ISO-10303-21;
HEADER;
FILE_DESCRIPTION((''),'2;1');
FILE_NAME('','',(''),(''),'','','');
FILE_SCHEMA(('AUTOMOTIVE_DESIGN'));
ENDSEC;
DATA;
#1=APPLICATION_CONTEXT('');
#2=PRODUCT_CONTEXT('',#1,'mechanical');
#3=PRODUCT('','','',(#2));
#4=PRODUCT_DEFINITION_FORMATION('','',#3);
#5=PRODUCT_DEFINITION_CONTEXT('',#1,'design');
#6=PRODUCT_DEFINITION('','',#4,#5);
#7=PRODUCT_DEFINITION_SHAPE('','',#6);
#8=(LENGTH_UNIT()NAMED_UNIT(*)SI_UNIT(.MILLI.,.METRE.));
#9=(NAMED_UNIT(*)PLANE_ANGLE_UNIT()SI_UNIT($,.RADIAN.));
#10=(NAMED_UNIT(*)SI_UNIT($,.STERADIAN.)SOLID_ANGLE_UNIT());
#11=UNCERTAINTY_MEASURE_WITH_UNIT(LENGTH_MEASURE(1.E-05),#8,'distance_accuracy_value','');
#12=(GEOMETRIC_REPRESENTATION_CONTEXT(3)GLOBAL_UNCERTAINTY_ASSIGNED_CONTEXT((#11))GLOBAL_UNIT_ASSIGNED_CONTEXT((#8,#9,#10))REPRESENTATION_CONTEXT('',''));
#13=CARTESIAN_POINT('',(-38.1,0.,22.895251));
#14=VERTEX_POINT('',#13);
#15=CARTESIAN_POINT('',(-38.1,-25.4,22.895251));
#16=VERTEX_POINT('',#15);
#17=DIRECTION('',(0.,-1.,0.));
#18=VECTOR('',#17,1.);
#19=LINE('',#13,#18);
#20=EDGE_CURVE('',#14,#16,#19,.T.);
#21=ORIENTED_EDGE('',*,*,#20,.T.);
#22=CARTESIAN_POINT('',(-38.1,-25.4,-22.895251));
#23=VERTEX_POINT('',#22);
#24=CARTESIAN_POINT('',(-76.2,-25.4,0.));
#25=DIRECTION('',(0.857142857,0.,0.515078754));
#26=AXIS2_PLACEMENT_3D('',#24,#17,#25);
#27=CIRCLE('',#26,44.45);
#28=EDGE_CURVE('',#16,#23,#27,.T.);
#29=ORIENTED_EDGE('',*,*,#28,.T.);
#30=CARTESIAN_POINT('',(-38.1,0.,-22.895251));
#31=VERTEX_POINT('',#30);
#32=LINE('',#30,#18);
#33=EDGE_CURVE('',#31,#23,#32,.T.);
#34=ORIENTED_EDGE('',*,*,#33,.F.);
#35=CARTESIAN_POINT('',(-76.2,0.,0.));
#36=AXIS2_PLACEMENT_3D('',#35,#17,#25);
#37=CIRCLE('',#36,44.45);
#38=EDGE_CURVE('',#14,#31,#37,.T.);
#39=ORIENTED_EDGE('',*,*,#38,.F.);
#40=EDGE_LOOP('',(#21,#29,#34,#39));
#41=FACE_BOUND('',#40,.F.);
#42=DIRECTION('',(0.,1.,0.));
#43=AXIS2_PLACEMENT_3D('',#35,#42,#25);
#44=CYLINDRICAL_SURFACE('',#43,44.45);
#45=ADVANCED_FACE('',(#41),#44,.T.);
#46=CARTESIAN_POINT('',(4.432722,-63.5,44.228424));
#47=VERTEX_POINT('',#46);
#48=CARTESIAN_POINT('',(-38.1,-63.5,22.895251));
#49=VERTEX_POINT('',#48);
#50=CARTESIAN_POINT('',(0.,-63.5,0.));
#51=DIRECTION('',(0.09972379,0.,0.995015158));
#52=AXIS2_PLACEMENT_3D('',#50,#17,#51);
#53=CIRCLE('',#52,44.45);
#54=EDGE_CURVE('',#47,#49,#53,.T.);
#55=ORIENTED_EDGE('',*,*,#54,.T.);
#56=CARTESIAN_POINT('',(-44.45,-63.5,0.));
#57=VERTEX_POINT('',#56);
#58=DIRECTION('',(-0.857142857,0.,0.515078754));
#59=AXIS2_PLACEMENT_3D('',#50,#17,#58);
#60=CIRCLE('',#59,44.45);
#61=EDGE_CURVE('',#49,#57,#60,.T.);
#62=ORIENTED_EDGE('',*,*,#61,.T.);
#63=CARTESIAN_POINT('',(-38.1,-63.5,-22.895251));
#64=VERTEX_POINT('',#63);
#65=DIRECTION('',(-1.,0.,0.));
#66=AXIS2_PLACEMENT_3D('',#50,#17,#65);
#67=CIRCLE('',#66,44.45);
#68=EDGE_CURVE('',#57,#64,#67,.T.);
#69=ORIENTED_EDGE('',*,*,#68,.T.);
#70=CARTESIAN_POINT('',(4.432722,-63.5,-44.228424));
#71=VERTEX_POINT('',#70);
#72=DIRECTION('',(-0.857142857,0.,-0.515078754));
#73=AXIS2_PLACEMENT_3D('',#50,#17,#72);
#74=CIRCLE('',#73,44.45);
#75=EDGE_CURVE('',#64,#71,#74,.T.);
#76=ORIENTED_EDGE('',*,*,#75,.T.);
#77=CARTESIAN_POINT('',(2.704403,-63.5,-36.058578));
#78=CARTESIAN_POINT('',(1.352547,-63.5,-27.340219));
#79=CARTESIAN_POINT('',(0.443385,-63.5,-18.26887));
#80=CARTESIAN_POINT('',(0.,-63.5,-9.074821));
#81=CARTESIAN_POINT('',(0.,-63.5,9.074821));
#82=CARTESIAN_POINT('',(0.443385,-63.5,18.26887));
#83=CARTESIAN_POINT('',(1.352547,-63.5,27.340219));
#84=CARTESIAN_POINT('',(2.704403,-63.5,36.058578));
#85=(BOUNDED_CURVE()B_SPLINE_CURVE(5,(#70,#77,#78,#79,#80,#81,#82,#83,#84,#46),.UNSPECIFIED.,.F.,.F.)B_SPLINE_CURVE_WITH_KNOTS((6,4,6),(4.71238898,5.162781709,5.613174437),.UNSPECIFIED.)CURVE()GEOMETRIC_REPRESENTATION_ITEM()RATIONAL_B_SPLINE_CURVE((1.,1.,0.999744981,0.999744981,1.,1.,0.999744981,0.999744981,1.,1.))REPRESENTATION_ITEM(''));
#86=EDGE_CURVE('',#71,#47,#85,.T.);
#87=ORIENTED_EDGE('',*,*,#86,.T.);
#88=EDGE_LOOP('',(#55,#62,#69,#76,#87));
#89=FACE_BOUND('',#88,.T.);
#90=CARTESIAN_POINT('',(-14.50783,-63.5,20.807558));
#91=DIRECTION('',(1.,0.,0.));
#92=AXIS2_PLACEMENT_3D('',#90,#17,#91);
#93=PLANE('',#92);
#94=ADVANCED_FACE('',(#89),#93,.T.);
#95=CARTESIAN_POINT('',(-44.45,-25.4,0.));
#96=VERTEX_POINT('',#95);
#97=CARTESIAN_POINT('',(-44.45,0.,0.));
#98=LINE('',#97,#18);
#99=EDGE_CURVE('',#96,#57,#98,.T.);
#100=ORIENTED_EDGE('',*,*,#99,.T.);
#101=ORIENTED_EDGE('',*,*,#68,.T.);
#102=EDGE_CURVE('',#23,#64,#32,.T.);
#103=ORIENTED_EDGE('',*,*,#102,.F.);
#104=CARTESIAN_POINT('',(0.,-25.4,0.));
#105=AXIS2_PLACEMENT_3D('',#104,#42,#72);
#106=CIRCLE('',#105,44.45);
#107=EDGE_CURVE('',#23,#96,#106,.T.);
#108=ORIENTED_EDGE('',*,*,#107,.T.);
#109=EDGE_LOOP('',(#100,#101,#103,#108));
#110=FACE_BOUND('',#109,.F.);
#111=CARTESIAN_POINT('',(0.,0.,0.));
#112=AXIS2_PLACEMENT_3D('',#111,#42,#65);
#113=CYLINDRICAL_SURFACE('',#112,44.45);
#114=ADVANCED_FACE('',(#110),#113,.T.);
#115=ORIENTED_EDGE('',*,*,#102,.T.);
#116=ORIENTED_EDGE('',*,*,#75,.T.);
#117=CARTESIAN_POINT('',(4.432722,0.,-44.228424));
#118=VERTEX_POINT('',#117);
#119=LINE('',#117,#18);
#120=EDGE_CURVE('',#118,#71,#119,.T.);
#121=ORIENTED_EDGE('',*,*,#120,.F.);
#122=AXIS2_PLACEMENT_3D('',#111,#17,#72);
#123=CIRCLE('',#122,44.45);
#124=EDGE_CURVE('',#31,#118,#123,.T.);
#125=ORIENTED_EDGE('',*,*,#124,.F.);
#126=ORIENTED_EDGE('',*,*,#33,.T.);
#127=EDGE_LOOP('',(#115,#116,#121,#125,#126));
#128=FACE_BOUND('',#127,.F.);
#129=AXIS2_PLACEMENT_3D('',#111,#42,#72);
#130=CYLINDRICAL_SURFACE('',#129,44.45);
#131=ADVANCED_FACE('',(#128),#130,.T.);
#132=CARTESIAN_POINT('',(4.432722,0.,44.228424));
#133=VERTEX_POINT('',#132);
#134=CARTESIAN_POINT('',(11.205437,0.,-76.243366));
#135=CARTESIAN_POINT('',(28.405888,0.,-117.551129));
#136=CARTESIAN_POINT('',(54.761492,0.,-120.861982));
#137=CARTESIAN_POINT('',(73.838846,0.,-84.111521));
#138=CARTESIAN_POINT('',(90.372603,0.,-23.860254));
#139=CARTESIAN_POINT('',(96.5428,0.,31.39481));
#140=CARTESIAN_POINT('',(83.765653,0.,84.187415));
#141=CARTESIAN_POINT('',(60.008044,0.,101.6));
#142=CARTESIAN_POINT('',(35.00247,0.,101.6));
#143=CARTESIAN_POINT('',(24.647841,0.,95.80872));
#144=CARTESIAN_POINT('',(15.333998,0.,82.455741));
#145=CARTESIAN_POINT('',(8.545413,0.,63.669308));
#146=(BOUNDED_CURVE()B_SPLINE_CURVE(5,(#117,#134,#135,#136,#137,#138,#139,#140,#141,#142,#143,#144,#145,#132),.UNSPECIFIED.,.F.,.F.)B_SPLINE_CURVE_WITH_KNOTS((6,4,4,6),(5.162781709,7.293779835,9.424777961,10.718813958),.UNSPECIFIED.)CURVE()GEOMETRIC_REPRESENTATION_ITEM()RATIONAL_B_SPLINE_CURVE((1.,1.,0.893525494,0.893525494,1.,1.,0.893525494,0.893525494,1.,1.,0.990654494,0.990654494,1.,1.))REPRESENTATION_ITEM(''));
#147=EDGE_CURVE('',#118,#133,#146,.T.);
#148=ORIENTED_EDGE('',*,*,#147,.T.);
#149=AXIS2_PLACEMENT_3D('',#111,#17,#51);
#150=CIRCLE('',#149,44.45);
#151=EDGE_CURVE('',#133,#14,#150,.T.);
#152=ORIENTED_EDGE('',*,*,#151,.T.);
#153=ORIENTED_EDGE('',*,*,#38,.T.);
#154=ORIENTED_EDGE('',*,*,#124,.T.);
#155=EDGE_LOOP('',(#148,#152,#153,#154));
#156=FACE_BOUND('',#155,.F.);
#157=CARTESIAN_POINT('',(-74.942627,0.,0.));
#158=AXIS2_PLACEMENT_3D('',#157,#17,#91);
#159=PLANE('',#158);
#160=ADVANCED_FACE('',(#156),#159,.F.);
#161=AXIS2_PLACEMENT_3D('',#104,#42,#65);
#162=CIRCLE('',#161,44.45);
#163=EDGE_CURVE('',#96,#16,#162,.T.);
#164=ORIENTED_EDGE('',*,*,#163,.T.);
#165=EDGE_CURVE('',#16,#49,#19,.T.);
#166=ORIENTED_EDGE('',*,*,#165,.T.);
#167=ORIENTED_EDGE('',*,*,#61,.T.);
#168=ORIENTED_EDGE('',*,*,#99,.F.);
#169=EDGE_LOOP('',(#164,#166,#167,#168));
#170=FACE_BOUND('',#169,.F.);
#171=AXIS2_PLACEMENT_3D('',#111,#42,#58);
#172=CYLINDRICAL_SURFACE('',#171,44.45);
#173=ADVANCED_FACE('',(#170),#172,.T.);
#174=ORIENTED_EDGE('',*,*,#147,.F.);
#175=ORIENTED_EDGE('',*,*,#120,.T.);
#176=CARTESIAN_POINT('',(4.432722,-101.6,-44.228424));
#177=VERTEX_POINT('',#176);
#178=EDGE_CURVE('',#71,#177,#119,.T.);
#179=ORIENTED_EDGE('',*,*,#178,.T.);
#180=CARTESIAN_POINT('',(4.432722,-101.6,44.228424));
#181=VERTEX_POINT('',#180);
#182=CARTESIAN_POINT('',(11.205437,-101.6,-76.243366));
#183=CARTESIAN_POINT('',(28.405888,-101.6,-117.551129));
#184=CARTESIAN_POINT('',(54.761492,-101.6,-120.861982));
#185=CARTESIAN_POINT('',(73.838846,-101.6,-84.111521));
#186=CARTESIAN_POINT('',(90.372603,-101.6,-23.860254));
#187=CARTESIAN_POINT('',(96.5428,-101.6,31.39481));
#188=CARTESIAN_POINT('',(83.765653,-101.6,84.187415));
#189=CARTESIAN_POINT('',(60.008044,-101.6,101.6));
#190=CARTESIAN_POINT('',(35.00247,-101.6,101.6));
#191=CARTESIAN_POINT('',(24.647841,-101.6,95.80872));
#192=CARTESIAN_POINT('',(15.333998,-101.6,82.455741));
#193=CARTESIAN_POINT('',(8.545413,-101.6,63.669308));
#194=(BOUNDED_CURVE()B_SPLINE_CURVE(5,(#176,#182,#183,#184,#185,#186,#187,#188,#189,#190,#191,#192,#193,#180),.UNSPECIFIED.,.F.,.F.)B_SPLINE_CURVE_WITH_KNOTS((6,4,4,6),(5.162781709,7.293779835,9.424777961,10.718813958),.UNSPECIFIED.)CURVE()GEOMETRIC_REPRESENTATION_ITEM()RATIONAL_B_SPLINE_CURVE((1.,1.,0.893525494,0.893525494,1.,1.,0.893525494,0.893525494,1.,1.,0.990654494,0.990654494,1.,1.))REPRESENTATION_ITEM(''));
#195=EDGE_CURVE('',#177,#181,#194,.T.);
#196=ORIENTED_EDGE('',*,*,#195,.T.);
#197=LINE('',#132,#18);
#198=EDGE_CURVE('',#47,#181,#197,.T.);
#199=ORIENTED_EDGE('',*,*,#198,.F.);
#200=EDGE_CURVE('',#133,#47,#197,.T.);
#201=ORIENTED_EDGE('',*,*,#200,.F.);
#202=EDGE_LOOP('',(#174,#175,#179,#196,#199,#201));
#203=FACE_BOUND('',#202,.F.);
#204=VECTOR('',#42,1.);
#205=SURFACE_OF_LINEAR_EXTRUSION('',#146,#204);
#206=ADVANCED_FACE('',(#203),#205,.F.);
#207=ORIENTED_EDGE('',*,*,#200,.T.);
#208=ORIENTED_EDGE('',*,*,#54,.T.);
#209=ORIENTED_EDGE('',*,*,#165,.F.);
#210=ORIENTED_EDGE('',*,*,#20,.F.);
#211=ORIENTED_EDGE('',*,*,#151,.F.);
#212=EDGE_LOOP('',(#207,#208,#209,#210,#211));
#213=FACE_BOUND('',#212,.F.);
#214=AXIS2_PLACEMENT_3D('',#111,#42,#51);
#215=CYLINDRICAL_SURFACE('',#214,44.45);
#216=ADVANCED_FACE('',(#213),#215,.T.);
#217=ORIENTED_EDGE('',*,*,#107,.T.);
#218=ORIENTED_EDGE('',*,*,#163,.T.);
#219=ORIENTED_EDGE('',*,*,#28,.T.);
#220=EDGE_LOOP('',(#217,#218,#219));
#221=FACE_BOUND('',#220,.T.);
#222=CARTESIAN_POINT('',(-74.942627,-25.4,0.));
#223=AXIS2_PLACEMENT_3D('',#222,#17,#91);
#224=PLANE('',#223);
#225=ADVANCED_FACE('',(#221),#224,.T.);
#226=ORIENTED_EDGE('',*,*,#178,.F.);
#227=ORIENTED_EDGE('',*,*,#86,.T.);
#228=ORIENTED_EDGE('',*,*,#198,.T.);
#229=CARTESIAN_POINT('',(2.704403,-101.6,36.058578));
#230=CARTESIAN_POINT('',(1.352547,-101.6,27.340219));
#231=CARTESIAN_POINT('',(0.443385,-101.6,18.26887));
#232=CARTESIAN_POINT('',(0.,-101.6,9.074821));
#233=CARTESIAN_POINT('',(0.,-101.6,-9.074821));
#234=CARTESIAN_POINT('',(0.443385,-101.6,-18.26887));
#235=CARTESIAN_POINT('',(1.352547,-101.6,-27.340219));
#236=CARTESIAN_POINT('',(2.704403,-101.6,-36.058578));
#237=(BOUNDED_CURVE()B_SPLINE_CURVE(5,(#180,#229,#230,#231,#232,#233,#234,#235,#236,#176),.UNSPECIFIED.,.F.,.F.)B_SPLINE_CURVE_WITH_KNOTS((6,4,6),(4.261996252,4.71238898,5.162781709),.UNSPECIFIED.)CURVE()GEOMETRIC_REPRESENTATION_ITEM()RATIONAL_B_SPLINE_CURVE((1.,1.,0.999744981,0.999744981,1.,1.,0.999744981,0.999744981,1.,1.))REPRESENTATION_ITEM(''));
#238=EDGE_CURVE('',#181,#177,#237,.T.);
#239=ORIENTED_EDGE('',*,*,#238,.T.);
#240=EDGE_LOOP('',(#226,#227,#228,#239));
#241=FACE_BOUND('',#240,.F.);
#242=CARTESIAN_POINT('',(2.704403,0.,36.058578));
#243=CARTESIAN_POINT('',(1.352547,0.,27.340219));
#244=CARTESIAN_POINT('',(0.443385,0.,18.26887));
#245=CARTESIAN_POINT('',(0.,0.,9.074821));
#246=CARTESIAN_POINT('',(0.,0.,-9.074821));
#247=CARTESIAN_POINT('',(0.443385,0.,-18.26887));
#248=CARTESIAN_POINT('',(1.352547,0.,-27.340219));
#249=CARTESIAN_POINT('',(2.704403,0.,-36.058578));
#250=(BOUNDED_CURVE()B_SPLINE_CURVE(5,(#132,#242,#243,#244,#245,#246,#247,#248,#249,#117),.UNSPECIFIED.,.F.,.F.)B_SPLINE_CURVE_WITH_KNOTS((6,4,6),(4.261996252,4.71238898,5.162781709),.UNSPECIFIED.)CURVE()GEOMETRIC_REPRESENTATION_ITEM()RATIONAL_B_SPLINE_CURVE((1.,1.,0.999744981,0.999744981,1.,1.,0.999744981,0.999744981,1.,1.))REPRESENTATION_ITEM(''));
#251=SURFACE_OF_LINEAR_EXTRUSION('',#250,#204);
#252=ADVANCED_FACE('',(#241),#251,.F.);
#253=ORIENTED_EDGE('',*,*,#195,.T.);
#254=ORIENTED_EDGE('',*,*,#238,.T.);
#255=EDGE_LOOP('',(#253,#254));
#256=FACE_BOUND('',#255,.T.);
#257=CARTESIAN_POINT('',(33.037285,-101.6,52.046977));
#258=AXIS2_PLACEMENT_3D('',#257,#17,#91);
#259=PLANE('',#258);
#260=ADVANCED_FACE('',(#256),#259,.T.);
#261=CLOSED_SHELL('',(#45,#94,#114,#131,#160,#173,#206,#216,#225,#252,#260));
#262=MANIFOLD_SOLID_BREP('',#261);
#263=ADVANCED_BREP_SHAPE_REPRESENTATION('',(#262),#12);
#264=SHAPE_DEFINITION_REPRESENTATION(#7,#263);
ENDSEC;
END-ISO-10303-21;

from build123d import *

# Parameters (mm, degrees)
F1_DEPTH = 101.6
F2_DEPTH = 63.5
F3_DEPTH = 25.4


with BuildPart() as f1:
    # F0 (on Front) → F1 (new body)
    with BuildSketch(Plane.XZ):
        with BuildLine():
            add(Edge.make_bspline(
                [(44.45, 101.6), (16.5695958263, 101.6), (4.4327224861, 44.2284237947)],
                knots=[3.1415926536, 3.1415926536, 3.1415926536, 4.2619962518, 4.2619962518, 4.2619962518], degree=2, weights=[1, 0.8471479009, 1]))
            ThreePointArc((4.4327224861, 44.2284237947), (32.9608632662, 29.8225416882), (44.45, 0))
            Line((44.45, 0), (44.45, 101.6))
        make_face()
        with BuildLine():
            ThreePointArc((44.45, 0), (32.9608632662, -29.8225416882), (4.4327224861, -44.2284237947))
            add(Edge.make_bspline(
                [(4.4327224861, -44.2284237947), (39.4108675696, -209.5717754088), (82.1057241929, -53.9858877044), (124.8005808161, 101.6), (44.45, 101.6)],
                knots=[5.1627817089, 5.1627817089, 5.1627817089, 7.2937798348, 7.2937798348, 9.4247779608, 9.4247779608, 9.4247779608], degree=2, weights=[1, 0.4840675767, 1, 0.4840675767, 1]))
            Line((44.45, 101.6), (44.45, 0))
        make_face()
        with BuildLine():
            add(Edge.make_bspline(
                [(4.4327224861, 44.2284237947), (0, 23.2747342585), (0, 0)],
                knots=[4.2619962518, 4.2619962518, 4.2619962518, 4.7123889804, 4.7123889804, 4.7123889804], degree=2, weights=[1, 0.9747502782, 1]))
            add(Edge.make_bspline(
                [(0, 0), (0, -23.2747342585), (4.4327224861, -44.2284237947)],
                knots=[4.7123889804, 4.7123889804, 4.7123889804, 5.1627817089, 5.1627817089, 5.1627817089], degree=2, weights=[1, 0.9747502782, 1]))
            ThreePointArc((4.4327224861, -44.2284237947), (32.9608632662, -29.8225416882), (44.45, 0))
            ThreePointArc((44.45, 0), (32.9608632662, 29.8225416882), (4.4327224861, 44.2284237947))
        make_face()
    extrude(amount=F1_DEPTH)

    # F0 (on Front) → F2 (join)
    with BuildSketch(Plane.XZ):
        with BuildLine():
            ThreePointArc((-38.1, 22.8952505992), (-33.3669082367, 11.879762203), (-31.75, 0))
            Line((-31.75, 0), (0, 0))
            add(Edge.make_bspline(
                [(4.4327224861, 44.2284237947), (0, 23.2747342585), (0, 0)],
                knots=[4.2619962518, 4.2619962518, 4.2619962518, 4.7123889804, 4.7123889804, 4.7123889804], degree=2, weights=[1, 0.9747502782, 1]))
            ThreePointArc((4.4327224861, 44.2284237947), (-19.9285589907, 39.732292113), (-38.1, 22.8952505992))
        make_face()
        with BuildLine():
            Line((-44.45, 0), (-31.75, 0))
            ThreePointArc((-31.75, 0), (-33.3669082367, 11.879762203), (-38.1, 22.8952505992))
            ThreePointArc((-38.1, 22.8952505992), (-42.8330917633, 11.879762203), (-44.45, 0))
        make_face()
        with BuildLine():
            ThreePointArc((-38.1, -22.8952505992), (-33.3669082367, -11.879762203), (-31.75, 0))
            Line((-31.75, 0), (-44.45, 0))
            ThreePointArc((-44.45, 0), (-42.8330917633, -11.879762203), (-38.1, -22.8952505992))
        make_face()
        with BuildLine():
            Line((0, 0), (-31.75, 0))
            ThreePointArc((-31.75, 0), (-33.3669082367, -11.879762203), (-38.1, -22.8952505992))
            ThreePointArc((-38.1, -22.8952505992), (-19.9285589907, -39.732292113), (4.4327224861, -44.2284237947))
            add(Edge.make_bspline(
                [(0, 0), (0, -23.2747342585), (4.4327224861, -44.2284237947)],
                knots=[4.7123889804, 4.7123889804, 4.7123889804, 5.1627817089, 5.1627817089, 5.1627817089], degree=2, weights=[1, 0.9747502782, 1]))
        make_face()
    extrude(amount=F2_DEPTH)

    # F0 (on Front) → F3 (join)
    with BuildSketch(Plane.XZ):
        with BuildLine():
            ThreePointArc((-44.45, 0), (-42.8330917633, 11.879762203), (-38.1, 22.8952505992))
            ThreePointArc((-38.1, 22.8952505992), (-120.65, 0), (-38.1, -22.8952505992))
            ThreePointArc((-38.1, -22.8952505992), (-42.8330917633, -11.879762203), (-44.45, 0))
        make_face()
    extrude(amount=F3_DEPTH)


solid = f1.part
